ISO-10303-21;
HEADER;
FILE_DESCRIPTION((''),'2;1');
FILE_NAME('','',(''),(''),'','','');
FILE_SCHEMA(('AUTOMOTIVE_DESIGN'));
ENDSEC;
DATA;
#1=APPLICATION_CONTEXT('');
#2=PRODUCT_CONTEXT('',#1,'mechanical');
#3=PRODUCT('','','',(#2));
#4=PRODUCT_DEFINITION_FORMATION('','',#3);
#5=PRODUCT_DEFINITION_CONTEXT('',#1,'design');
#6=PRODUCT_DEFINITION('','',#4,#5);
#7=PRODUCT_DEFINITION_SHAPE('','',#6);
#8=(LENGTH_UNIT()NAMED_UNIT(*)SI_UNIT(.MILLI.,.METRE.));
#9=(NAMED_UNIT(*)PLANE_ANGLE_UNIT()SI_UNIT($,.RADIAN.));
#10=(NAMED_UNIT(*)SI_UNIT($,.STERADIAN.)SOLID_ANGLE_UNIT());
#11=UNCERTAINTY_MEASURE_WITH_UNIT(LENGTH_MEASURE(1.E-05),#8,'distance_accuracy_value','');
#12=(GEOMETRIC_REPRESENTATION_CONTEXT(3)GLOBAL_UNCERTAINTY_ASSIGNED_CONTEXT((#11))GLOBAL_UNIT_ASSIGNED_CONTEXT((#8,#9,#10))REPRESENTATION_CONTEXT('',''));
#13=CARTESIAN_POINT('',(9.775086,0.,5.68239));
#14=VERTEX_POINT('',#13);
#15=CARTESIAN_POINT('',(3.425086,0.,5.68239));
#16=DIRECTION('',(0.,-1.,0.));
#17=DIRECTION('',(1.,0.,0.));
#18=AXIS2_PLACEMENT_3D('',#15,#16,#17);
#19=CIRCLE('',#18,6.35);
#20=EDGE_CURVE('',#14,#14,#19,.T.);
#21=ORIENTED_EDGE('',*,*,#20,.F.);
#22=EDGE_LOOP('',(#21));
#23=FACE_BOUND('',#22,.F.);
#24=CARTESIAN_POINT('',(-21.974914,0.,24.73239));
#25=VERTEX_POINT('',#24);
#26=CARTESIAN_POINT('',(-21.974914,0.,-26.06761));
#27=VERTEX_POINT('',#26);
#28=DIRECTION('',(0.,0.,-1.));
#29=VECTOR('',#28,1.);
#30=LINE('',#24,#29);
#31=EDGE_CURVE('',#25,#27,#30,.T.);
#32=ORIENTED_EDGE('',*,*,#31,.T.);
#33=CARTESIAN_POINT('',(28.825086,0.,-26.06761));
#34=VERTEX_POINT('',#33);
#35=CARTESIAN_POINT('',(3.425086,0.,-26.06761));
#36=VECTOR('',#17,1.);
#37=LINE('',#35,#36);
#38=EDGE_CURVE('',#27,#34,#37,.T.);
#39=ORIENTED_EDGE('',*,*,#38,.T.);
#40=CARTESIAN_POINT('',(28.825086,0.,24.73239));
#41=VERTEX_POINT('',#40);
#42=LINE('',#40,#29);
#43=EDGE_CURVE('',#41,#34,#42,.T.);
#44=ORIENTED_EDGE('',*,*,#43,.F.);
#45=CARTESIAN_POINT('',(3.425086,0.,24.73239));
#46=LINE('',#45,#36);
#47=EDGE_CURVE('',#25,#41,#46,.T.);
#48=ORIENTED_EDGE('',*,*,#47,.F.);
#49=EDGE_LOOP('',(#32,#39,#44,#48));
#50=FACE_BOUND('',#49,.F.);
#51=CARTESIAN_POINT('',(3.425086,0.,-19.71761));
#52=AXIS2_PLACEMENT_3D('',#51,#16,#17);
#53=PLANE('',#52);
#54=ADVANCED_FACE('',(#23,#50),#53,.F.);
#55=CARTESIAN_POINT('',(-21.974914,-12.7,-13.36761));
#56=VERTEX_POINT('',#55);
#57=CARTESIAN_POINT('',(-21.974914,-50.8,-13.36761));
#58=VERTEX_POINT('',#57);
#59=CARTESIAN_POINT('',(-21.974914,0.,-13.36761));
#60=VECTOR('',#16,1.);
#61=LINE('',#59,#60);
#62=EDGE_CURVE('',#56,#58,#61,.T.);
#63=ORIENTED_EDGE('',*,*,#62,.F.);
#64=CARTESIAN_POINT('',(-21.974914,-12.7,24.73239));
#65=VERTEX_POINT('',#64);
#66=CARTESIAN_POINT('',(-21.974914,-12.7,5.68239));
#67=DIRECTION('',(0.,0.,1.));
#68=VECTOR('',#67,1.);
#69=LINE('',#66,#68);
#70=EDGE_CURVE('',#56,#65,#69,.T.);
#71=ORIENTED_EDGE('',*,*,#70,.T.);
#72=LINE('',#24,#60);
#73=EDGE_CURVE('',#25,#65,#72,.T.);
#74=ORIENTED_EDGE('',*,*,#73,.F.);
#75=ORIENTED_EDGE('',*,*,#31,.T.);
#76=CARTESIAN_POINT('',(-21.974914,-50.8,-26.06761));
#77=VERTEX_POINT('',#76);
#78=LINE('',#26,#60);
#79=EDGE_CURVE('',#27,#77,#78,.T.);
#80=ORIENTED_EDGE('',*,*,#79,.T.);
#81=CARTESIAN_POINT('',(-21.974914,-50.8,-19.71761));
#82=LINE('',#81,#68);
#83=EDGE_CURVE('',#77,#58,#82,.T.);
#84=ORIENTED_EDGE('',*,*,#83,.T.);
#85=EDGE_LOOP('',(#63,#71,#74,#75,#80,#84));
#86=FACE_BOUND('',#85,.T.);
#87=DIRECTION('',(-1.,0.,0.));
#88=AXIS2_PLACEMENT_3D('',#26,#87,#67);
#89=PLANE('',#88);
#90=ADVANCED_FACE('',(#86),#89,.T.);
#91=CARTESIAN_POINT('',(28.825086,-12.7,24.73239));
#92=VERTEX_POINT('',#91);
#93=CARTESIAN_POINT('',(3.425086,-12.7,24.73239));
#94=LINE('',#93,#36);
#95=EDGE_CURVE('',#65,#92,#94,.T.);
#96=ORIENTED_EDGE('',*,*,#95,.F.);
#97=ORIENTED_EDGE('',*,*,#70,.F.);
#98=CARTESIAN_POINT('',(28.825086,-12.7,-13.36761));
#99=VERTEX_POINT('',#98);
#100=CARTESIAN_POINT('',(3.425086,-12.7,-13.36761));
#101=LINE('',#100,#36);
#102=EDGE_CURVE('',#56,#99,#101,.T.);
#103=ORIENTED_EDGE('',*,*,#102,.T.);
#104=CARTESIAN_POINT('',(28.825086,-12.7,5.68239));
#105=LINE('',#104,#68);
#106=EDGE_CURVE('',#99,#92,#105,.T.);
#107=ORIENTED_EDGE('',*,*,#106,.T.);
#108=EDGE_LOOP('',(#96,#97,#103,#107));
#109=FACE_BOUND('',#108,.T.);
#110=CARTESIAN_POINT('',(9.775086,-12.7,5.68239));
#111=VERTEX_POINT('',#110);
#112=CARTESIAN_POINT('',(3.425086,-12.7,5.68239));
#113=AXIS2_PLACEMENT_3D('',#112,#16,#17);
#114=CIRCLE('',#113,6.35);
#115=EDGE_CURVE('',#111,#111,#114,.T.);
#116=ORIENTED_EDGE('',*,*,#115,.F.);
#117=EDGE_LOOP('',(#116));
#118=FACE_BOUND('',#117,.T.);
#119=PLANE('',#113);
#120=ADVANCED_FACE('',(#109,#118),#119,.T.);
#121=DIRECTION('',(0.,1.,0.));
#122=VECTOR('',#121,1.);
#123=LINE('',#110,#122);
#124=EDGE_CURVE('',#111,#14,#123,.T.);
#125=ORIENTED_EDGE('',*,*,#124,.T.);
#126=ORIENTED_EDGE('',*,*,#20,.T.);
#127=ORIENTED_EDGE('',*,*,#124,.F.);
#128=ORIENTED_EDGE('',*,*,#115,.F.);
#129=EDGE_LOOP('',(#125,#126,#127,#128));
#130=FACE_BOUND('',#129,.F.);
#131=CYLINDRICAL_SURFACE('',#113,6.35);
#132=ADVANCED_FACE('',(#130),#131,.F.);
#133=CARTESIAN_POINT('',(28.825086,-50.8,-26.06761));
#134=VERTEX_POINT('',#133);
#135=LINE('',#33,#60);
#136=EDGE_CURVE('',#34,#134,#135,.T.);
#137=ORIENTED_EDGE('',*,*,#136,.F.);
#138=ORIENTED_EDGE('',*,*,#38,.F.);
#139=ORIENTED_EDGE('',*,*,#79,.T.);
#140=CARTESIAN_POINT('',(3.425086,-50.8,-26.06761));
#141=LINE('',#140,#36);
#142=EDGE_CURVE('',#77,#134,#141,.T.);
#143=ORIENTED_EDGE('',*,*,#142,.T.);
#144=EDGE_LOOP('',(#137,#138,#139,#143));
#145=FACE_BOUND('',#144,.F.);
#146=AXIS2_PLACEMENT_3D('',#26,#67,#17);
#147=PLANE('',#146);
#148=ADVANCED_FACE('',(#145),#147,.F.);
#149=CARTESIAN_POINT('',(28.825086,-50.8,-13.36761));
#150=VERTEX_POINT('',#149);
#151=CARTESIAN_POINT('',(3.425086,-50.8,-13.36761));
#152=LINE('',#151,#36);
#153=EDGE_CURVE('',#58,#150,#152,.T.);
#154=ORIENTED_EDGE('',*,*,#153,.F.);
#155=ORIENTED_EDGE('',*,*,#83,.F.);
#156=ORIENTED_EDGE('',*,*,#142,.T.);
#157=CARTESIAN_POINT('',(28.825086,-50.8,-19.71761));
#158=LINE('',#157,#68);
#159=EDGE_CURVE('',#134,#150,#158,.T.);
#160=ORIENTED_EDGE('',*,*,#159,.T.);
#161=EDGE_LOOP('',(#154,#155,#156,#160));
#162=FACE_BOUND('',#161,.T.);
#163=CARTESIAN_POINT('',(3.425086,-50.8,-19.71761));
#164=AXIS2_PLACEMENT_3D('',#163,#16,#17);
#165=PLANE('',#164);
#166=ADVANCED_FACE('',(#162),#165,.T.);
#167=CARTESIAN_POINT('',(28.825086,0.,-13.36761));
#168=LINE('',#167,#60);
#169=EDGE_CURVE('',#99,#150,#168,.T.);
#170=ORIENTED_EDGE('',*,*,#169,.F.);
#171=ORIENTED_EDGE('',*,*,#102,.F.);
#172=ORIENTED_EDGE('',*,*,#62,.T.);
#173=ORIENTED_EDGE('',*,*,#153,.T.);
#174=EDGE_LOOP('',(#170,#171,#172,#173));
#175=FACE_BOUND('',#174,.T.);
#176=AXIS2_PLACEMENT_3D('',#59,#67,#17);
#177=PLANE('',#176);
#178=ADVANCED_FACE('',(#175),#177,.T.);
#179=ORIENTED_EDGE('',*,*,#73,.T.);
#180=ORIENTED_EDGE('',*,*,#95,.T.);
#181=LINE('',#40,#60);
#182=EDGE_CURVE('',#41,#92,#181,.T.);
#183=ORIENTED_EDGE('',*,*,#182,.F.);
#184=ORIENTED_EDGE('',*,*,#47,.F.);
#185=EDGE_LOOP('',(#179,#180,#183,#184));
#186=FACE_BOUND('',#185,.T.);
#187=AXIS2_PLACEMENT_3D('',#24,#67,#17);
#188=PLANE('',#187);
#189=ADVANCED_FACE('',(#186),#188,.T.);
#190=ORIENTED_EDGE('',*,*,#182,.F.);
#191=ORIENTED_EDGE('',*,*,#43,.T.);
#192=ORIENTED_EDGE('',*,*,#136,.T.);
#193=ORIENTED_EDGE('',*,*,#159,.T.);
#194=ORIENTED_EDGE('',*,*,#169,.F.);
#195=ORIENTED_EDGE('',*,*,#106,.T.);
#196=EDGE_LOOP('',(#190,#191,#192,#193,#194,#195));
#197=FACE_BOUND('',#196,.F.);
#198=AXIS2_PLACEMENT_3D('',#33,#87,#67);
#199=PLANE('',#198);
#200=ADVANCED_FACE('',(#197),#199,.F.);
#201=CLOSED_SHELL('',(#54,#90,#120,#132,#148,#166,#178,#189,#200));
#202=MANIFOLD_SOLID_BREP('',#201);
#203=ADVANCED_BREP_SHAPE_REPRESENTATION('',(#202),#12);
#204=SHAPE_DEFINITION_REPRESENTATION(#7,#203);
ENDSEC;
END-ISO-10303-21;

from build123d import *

# Parameters (mm, degrees)
F0_W     = 50.8
F0_H     = 38.1
F1_DEPTH = 12.7
F0_H_2   = 12.7
F2_DEPTH = 50.8
F3_R     = 6.35
F4_DEPTH = 12.7


with BuildPart() as f1:
    # F0 (on Front) → F1 (new body)
    with BuildSketch(Plane.XZ):
        with Locations((3.425086, 5.68239)):
            Rectangle(F0_W, F0_H)
    extrude(amount=F1_DEPTH)

    # F0 (on Front) → F2 (join)
    with BuildSketch(Plane.XZ):
        with Locations((3.425086, -19.71761)):
            Rectangle(F0_W, F0_H_2)
    extrude(amount=F2_DEPTH)

    # F3 (on face) → F4 (cut, through all)
    with BuildSketch(Plane.XZ.offset(12.7)):
        with Locations((3.425086, 5.68239)):
            Circle(F3_R)
    extrude(amount=-F4_DEPTH, mode=Mode.SUBTRACT)


solid = f1.part
